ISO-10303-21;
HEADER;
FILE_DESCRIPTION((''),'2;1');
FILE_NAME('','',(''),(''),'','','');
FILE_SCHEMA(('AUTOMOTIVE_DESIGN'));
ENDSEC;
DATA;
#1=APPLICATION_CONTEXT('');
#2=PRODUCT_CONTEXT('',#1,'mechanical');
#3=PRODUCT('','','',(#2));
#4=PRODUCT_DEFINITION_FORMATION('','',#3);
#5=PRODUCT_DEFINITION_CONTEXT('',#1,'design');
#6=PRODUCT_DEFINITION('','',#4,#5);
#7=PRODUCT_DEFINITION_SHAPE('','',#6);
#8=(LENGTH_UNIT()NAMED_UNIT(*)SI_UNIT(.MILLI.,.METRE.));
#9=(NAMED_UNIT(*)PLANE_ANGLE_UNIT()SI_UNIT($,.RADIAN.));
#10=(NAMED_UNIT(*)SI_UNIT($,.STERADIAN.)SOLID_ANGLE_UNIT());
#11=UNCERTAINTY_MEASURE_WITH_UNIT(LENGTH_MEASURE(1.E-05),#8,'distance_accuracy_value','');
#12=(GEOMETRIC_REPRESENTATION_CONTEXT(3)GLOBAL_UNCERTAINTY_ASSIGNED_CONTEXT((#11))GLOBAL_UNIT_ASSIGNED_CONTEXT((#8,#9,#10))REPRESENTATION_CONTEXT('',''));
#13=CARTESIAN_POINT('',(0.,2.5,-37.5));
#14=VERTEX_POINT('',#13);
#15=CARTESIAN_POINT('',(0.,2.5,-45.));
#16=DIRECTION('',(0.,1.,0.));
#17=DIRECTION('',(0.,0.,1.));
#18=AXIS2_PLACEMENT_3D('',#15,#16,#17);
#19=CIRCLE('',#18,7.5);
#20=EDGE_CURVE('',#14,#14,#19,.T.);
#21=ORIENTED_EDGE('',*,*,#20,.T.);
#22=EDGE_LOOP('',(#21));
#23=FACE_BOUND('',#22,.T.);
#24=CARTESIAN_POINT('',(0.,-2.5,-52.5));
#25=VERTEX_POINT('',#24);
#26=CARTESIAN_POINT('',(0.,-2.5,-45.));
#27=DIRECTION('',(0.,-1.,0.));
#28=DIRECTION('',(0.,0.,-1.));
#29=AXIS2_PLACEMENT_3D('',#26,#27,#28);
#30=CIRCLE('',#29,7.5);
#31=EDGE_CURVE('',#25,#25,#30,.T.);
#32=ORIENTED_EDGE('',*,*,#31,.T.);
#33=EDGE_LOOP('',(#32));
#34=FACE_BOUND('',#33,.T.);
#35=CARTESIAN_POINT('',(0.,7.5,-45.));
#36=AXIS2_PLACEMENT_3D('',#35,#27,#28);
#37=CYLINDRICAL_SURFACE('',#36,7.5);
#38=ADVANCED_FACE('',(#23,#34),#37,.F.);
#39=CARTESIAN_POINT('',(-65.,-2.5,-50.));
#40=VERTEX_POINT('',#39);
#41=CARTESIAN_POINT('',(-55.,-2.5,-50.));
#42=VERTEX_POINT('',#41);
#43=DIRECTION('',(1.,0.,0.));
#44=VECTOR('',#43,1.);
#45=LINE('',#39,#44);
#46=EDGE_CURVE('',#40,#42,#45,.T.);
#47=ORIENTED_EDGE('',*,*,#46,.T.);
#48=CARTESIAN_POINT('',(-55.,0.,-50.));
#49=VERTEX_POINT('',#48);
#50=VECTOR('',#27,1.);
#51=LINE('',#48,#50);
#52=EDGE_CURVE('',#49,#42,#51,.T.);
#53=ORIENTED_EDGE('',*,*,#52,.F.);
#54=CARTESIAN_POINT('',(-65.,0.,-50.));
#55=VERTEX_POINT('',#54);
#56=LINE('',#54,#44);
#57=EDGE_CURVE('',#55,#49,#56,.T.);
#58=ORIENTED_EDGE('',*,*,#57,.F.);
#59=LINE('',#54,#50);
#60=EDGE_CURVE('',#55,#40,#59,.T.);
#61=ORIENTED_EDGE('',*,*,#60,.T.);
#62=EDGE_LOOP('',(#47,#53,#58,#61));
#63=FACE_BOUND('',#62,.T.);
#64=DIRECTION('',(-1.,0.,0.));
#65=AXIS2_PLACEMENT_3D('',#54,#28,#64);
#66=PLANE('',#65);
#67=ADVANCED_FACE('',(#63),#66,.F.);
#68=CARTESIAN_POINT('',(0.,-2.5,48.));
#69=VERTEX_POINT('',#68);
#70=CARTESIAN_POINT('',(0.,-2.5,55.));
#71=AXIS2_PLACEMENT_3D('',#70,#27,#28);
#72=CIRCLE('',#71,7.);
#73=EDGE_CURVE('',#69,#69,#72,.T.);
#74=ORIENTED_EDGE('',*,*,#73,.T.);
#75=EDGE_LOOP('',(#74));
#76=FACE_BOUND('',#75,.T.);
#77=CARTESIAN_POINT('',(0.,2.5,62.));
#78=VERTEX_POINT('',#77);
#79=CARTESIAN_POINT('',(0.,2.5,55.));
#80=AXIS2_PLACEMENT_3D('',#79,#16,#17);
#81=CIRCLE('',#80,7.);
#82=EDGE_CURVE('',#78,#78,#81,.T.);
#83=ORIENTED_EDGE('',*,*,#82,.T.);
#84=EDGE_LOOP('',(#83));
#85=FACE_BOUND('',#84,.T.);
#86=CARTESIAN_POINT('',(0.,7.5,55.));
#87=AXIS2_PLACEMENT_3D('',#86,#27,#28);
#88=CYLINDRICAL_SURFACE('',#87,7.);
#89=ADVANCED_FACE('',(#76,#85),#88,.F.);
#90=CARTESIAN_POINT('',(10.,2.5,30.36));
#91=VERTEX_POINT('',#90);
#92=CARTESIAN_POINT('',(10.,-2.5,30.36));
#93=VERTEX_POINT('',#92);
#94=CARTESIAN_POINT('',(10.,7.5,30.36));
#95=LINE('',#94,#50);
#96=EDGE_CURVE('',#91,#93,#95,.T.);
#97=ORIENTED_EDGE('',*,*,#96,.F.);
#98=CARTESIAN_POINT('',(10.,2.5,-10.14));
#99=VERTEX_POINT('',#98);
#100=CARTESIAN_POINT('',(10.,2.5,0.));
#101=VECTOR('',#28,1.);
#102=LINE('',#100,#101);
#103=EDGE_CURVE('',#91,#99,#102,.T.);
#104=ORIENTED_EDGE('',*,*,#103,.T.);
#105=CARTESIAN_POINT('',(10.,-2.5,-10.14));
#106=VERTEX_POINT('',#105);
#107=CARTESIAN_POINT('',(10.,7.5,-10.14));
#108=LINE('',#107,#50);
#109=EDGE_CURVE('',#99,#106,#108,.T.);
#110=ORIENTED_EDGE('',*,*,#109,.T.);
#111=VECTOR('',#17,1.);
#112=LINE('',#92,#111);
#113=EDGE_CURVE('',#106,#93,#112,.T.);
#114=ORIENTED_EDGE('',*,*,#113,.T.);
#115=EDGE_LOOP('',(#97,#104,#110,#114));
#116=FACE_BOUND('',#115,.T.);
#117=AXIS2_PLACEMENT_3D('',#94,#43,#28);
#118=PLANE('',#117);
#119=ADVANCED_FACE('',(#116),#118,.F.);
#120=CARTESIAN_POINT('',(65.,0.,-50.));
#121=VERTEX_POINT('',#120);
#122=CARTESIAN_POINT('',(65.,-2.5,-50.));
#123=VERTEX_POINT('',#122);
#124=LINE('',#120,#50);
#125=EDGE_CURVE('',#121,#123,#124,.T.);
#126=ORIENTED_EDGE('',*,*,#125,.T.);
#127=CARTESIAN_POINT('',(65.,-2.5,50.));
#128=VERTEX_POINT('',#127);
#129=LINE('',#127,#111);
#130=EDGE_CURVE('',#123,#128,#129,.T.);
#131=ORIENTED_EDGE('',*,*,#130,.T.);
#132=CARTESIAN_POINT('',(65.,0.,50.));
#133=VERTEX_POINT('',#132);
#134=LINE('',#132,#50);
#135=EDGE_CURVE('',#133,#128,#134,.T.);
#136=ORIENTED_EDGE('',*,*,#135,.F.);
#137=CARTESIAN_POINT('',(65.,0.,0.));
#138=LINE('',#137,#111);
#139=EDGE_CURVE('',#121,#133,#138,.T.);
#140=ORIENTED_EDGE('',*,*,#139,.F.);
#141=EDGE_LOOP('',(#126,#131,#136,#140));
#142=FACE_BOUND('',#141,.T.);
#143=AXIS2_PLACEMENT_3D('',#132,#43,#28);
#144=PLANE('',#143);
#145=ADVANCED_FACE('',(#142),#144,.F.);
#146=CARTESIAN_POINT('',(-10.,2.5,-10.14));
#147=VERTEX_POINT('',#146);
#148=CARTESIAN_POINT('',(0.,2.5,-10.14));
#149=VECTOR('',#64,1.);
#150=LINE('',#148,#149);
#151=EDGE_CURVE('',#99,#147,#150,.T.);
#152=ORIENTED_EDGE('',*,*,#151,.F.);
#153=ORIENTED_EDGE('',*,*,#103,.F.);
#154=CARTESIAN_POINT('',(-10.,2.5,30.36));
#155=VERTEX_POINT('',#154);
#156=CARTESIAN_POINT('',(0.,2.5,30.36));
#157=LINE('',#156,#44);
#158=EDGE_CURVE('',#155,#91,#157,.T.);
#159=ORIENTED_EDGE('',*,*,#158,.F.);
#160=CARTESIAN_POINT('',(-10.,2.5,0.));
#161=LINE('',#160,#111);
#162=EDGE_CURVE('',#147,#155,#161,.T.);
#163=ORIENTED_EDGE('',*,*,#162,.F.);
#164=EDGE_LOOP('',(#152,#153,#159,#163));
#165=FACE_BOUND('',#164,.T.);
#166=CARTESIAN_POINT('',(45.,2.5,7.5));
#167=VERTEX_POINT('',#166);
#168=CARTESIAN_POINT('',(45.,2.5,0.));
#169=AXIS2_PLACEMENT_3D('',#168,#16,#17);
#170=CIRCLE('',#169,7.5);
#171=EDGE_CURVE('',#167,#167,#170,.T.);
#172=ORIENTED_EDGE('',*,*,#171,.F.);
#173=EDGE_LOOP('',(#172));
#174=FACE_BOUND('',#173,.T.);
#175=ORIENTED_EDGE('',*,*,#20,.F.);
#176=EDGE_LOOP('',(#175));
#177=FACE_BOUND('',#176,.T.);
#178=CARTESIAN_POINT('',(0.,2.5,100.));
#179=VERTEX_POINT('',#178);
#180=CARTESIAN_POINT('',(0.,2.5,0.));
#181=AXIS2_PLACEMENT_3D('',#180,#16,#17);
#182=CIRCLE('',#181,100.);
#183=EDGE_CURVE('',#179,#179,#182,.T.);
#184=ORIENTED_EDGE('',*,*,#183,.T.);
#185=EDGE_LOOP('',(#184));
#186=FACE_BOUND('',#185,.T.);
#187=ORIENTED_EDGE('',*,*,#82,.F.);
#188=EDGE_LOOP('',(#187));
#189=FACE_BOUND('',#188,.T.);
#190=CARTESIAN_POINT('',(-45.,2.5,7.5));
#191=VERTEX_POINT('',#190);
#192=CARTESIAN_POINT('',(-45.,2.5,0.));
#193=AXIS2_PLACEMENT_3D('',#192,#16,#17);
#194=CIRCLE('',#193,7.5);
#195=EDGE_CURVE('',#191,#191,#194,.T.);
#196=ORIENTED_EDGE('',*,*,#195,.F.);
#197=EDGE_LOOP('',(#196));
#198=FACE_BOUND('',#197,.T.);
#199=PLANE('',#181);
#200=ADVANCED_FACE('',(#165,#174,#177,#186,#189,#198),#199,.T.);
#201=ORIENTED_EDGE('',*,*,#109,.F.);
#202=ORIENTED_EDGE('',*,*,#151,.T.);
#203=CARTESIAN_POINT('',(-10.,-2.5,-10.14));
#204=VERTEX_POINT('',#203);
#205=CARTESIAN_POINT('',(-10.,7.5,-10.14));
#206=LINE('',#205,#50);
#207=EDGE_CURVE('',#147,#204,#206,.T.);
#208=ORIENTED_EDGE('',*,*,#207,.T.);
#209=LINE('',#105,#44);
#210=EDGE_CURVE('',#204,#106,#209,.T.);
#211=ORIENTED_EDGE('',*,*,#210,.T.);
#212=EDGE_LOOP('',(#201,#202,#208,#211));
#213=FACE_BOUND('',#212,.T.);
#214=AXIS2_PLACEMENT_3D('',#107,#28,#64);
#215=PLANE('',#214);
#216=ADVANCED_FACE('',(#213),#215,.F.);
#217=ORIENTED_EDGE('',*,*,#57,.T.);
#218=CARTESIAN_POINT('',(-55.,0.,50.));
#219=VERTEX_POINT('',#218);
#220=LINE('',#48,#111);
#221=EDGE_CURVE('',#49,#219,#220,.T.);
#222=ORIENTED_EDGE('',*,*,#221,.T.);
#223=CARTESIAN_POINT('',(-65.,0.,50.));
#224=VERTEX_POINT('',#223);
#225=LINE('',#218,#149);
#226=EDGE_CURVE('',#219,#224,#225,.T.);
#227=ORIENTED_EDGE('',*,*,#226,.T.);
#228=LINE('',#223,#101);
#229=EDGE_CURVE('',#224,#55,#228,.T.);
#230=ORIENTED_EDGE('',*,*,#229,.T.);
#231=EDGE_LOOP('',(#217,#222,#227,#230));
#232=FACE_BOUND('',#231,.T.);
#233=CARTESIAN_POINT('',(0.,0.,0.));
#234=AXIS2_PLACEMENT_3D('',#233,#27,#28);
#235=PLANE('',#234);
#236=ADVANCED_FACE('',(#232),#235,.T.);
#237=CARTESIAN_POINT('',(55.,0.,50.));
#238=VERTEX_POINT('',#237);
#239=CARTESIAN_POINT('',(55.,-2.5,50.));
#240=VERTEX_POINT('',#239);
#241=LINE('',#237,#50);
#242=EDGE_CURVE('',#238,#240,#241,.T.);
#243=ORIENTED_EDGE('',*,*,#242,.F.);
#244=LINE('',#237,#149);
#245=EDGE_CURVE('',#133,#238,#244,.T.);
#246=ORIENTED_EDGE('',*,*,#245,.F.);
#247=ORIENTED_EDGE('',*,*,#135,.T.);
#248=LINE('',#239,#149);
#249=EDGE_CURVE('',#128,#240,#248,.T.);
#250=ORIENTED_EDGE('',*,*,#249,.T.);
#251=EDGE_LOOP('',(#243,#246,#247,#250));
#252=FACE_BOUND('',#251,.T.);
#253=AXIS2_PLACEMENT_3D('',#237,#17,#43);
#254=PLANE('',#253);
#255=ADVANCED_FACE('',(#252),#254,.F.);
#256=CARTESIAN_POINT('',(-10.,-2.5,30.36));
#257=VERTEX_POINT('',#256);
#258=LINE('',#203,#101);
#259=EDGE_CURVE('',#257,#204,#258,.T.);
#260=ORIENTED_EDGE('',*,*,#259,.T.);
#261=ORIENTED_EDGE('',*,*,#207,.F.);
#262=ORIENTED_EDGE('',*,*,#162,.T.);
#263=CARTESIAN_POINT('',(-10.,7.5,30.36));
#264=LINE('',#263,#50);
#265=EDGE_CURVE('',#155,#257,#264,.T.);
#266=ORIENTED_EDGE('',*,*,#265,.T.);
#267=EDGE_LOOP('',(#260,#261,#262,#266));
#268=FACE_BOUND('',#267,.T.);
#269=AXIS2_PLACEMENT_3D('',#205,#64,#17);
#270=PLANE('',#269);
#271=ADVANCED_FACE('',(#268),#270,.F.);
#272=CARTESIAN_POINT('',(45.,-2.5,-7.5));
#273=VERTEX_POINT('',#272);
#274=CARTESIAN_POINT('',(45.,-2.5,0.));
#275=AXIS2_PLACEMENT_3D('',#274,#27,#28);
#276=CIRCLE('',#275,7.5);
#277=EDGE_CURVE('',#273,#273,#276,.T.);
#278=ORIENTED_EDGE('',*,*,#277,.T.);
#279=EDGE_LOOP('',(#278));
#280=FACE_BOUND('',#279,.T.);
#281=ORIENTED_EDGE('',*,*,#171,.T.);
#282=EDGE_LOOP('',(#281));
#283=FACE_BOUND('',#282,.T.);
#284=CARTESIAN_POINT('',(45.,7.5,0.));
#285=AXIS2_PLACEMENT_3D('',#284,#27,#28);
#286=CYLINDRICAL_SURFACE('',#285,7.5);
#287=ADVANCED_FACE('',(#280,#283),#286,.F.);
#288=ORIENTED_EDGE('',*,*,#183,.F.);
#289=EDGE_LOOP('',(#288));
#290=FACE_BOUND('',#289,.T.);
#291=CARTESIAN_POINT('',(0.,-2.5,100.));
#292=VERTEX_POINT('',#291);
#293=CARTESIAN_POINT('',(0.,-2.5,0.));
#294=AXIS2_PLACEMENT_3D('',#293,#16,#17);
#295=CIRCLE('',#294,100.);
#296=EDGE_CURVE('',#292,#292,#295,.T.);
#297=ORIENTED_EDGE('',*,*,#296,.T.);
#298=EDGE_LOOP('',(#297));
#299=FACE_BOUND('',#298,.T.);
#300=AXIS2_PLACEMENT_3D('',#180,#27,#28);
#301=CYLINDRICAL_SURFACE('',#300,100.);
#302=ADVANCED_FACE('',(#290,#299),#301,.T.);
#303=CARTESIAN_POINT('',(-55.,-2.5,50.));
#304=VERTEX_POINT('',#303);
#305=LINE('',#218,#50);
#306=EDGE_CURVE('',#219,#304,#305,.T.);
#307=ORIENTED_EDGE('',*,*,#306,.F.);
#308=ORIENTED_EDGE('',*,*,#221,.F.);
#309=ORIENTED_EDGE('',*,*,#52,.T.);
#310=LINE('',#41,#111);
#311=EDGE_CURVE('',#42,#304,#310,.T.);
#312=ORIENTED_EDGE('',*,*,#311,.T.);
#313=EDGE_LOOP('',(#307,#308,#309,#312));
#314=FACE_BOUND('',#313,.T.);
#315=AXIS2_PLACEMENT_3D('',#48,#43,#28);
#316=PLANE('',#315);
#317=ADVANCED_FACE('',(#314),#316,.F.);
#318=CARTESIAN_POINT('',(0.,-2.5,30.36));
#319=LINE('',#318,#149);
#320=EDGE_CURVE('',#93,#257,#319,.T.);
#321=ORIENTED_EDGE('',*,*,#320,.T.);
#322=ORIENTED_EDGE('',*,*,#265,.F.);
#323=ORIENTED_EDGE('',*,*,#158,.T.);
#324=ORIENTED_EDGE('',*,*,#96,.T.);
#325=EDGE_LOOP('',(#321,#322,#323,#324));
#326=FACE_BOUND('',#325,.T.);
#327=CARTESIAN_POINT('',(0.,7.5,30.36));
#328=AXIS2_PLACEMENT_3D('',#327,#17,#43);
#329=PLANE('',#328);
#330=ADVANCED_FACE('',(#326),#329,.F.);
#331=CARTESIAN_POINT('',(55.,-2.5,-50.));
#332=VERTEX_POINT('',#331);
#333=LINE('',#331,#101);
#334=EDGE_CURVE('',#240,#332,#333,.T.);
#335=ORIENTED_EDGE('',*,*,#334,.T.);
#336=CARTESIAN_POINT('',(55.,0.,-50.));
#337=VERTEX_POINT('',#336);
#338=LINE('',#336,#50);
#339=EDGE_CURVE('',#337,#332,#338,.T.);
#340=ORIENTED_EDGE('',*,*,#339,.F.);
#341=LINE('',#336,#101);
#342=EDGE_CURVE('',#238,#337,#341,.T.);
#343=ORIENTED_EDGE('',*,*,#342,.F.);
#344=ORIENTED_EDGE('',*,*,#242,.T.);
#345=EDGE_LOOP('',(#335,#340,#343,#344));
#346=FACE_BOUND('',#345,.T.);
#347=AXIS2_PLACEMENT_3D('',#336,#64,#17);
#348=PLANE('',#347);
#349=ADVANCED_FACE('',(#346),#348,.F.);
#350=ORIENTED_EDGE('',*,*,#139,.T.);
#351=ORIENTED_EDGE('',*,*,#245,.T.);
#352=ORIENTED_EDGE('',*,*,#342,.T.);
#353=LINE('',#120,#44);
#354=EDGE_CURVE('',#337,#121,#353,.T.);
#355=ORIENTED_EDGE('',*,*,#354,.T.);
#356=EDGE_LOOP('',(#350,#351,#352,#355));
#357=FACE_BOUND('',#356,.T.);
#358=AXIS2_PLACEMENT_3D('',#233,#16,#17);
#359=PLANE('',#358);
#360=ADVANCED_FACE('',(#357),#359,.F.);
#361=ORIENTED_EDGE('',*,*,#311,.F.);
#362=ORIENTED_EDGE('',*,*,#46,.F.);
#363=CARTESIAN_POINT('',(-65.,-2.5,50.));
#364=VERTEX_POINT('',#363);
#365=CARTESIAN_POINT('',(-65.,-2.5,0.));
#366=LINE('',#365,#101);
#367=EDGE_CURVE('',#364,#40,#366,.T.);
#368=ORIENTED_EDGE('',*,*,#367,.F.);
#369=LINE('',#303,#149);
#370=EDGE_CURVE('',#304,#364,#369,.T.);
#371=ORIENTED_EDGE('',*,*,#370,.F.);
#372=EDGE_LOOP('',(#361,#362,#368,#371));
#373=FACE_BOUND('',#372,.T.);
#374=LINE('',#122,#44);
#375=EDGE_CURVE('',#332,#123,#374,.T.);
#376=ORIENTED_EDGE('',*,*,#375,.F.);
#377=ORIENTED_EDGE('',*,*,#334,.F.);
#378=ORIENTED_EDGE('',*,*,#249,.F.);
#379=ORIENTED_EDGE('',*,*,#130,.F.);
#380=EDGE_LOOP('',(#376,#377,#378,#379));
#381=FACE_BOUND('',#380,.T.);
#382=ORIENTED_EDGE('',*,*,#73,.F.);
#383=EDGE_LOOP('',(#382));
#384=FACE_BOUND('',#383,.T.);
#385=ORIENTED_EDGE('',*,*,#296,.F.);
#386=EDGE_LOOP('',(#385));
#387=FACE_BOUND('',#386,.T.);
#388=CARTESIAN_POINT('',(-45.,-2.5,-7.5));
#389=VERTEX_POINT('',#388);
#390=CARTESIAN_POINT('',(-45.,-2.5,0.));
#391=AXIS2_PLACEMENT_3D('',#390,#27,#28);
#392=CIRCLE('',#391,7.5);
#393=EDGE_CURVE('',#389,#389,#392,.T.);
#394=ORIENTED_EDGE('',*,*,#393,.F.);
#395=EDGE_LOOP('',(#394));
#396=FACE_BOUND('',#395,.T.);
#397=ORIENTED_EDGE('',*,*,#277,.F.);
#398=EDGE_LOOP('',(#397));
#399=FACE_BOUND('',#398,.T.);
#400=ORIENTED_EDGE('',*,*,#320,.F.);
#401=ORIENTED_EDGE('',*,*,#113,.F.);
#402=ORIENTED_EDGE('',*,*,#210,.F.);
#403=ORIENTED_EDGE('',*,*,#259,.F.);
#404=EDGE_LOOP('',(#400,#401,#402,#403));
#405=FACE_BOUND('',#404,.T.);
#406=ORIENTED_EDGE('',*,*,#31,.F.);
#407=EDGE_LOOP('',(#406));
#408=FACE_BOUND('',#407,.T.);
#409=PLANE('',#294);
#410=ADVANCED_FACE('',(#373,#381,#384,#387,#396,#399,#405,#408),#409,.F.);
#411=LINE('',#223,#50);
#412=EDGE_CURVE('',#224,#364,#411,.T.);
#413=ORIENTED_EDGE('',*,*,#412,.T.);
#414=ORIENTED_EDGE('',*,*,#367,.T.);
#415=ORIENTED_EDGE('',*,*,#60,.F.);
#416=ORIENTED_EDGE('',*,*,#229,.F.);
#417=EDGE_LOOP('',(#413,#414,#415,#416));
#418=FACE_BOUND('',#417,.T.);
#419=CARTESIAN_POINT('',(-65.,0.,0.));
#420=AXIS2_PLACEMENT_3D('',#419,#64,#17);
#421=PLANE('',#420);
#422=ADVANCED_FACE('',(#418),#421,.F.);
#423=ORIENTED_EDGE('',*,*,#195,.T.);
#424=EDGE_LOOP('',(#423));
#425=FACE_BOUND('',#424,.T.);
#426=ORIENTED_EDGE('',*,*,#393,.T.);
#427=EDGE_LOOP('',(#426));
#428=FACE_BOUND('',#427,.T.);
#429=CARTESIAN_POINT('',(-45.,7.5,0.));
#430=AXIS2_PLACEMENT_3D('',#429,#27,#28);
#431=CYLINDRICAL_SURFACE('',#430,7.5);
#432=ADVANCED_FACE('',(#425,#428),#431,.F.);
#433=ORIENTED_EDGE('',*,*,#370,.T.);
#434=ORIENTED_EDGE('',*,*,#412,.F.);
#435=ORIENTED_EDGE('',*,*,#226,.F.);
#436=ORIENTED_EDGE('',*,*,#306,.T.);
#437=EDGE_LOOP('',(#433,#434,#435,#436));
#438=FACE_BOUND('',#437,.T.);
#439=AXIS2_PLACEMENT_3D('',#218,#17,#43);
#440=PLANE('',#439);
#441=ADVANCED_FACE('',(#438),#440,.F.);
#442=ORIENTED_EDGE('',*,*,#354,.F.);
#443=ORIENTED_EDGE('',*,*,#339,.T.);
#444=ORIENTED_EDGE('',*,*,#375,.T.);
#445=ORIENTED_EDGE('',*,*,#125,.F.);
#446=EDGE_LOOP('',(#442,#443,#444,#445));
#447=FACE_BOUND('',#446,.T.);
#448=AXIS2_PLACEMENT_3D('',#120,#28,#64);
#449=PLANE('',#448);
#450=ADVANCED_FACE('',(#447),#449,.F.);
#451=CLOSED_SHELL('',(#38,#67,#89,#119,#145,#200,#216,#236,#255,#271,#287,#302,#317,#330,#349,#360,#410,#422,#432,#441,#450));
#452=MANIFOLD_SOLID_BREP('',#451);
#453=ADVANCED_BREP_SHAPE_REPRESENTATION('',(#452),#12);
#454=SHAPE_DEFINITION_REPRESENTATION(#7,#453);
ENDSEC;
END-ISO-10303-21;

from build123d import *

# Parameters (mm, degrees)
SKETCH2_R           = 100
BOSS_EXTRUDE1_DEPTH = 2.5
CUT_EXTRUDE1_DEPTH  = 2.5
CUT_EXTRUDE2_DEPTH  = 10
SKETCH6_R           = 7.5
SKETCH6_R_2         = 7
CUT_EXTRUDE3_DEPTH  = 10


with BuildPart() as part:
    # Sketch2 → Boss-Extrude1 (new, symmetric)
    with BuildSketch(Plane(origin=(0, 0, 0), x_dir=(1, 0, 0), z_dir=(0, 1, 0))):
        with Locations(Location((0, 0, 0), (0, 0, 270))):
            Circle(SKETCH2_R)
    extrude(amount=BOSS_EXTRUDE1_DEPTH, both=True)

    # Sketch3 → Cut-Extrude1 (cut)
    with BuildSketch(Plane.XZ.offset(2.5)):
        Polygon((-65, 0), (-65, -50), (-55, -50), (-55, 50), (-65, 50), align=None)
        Polygon((55, 50), (65, 50), (65, 0), (65, -50), (55, -50), align=None)
    extrude(amount=-CUT_EXTRUDE1_DEPTH, mode=Mode.SUBTRACT)

    # Sketch5 → Cut-Extrude2 (cut)
    with BuildSketch(Plane.XZ.offset(2.5)):
        Polygon((0, 30.36), (10, 30.36), (10, -10.14), (-10, -10.14), (-10, 30.36), align=None)
    extrude(amount=-CUT_EXTRUDE2_DEPTH, mode=Mode.SUBTRACT)

    # Sketch6 → Cut-Extrude3 (cut)
    with BuildSketch(Plane.XZ.offset(2.5)):
        with Locations(Location((-45, 0, 0), (0, 0, 270))):
            Circle(SKETCH6_R)
        with Locations(Location((0, -45, 0), (0, 0, 270))):
            Circle(SKETCH6_R)
        with Locations(Location((45, 0, 0), (0, 0, 270))):
            Circle(SKETCH6_R)
        with Locations(Location((0, 55, 0), (0, 0, 270))):
            Circle(SKETCH6_R_2)
    extrude(amount=-CUT_EXTRUDE3_DEPTH, mode=Mode.SUBTRACT)


solid = part.part
